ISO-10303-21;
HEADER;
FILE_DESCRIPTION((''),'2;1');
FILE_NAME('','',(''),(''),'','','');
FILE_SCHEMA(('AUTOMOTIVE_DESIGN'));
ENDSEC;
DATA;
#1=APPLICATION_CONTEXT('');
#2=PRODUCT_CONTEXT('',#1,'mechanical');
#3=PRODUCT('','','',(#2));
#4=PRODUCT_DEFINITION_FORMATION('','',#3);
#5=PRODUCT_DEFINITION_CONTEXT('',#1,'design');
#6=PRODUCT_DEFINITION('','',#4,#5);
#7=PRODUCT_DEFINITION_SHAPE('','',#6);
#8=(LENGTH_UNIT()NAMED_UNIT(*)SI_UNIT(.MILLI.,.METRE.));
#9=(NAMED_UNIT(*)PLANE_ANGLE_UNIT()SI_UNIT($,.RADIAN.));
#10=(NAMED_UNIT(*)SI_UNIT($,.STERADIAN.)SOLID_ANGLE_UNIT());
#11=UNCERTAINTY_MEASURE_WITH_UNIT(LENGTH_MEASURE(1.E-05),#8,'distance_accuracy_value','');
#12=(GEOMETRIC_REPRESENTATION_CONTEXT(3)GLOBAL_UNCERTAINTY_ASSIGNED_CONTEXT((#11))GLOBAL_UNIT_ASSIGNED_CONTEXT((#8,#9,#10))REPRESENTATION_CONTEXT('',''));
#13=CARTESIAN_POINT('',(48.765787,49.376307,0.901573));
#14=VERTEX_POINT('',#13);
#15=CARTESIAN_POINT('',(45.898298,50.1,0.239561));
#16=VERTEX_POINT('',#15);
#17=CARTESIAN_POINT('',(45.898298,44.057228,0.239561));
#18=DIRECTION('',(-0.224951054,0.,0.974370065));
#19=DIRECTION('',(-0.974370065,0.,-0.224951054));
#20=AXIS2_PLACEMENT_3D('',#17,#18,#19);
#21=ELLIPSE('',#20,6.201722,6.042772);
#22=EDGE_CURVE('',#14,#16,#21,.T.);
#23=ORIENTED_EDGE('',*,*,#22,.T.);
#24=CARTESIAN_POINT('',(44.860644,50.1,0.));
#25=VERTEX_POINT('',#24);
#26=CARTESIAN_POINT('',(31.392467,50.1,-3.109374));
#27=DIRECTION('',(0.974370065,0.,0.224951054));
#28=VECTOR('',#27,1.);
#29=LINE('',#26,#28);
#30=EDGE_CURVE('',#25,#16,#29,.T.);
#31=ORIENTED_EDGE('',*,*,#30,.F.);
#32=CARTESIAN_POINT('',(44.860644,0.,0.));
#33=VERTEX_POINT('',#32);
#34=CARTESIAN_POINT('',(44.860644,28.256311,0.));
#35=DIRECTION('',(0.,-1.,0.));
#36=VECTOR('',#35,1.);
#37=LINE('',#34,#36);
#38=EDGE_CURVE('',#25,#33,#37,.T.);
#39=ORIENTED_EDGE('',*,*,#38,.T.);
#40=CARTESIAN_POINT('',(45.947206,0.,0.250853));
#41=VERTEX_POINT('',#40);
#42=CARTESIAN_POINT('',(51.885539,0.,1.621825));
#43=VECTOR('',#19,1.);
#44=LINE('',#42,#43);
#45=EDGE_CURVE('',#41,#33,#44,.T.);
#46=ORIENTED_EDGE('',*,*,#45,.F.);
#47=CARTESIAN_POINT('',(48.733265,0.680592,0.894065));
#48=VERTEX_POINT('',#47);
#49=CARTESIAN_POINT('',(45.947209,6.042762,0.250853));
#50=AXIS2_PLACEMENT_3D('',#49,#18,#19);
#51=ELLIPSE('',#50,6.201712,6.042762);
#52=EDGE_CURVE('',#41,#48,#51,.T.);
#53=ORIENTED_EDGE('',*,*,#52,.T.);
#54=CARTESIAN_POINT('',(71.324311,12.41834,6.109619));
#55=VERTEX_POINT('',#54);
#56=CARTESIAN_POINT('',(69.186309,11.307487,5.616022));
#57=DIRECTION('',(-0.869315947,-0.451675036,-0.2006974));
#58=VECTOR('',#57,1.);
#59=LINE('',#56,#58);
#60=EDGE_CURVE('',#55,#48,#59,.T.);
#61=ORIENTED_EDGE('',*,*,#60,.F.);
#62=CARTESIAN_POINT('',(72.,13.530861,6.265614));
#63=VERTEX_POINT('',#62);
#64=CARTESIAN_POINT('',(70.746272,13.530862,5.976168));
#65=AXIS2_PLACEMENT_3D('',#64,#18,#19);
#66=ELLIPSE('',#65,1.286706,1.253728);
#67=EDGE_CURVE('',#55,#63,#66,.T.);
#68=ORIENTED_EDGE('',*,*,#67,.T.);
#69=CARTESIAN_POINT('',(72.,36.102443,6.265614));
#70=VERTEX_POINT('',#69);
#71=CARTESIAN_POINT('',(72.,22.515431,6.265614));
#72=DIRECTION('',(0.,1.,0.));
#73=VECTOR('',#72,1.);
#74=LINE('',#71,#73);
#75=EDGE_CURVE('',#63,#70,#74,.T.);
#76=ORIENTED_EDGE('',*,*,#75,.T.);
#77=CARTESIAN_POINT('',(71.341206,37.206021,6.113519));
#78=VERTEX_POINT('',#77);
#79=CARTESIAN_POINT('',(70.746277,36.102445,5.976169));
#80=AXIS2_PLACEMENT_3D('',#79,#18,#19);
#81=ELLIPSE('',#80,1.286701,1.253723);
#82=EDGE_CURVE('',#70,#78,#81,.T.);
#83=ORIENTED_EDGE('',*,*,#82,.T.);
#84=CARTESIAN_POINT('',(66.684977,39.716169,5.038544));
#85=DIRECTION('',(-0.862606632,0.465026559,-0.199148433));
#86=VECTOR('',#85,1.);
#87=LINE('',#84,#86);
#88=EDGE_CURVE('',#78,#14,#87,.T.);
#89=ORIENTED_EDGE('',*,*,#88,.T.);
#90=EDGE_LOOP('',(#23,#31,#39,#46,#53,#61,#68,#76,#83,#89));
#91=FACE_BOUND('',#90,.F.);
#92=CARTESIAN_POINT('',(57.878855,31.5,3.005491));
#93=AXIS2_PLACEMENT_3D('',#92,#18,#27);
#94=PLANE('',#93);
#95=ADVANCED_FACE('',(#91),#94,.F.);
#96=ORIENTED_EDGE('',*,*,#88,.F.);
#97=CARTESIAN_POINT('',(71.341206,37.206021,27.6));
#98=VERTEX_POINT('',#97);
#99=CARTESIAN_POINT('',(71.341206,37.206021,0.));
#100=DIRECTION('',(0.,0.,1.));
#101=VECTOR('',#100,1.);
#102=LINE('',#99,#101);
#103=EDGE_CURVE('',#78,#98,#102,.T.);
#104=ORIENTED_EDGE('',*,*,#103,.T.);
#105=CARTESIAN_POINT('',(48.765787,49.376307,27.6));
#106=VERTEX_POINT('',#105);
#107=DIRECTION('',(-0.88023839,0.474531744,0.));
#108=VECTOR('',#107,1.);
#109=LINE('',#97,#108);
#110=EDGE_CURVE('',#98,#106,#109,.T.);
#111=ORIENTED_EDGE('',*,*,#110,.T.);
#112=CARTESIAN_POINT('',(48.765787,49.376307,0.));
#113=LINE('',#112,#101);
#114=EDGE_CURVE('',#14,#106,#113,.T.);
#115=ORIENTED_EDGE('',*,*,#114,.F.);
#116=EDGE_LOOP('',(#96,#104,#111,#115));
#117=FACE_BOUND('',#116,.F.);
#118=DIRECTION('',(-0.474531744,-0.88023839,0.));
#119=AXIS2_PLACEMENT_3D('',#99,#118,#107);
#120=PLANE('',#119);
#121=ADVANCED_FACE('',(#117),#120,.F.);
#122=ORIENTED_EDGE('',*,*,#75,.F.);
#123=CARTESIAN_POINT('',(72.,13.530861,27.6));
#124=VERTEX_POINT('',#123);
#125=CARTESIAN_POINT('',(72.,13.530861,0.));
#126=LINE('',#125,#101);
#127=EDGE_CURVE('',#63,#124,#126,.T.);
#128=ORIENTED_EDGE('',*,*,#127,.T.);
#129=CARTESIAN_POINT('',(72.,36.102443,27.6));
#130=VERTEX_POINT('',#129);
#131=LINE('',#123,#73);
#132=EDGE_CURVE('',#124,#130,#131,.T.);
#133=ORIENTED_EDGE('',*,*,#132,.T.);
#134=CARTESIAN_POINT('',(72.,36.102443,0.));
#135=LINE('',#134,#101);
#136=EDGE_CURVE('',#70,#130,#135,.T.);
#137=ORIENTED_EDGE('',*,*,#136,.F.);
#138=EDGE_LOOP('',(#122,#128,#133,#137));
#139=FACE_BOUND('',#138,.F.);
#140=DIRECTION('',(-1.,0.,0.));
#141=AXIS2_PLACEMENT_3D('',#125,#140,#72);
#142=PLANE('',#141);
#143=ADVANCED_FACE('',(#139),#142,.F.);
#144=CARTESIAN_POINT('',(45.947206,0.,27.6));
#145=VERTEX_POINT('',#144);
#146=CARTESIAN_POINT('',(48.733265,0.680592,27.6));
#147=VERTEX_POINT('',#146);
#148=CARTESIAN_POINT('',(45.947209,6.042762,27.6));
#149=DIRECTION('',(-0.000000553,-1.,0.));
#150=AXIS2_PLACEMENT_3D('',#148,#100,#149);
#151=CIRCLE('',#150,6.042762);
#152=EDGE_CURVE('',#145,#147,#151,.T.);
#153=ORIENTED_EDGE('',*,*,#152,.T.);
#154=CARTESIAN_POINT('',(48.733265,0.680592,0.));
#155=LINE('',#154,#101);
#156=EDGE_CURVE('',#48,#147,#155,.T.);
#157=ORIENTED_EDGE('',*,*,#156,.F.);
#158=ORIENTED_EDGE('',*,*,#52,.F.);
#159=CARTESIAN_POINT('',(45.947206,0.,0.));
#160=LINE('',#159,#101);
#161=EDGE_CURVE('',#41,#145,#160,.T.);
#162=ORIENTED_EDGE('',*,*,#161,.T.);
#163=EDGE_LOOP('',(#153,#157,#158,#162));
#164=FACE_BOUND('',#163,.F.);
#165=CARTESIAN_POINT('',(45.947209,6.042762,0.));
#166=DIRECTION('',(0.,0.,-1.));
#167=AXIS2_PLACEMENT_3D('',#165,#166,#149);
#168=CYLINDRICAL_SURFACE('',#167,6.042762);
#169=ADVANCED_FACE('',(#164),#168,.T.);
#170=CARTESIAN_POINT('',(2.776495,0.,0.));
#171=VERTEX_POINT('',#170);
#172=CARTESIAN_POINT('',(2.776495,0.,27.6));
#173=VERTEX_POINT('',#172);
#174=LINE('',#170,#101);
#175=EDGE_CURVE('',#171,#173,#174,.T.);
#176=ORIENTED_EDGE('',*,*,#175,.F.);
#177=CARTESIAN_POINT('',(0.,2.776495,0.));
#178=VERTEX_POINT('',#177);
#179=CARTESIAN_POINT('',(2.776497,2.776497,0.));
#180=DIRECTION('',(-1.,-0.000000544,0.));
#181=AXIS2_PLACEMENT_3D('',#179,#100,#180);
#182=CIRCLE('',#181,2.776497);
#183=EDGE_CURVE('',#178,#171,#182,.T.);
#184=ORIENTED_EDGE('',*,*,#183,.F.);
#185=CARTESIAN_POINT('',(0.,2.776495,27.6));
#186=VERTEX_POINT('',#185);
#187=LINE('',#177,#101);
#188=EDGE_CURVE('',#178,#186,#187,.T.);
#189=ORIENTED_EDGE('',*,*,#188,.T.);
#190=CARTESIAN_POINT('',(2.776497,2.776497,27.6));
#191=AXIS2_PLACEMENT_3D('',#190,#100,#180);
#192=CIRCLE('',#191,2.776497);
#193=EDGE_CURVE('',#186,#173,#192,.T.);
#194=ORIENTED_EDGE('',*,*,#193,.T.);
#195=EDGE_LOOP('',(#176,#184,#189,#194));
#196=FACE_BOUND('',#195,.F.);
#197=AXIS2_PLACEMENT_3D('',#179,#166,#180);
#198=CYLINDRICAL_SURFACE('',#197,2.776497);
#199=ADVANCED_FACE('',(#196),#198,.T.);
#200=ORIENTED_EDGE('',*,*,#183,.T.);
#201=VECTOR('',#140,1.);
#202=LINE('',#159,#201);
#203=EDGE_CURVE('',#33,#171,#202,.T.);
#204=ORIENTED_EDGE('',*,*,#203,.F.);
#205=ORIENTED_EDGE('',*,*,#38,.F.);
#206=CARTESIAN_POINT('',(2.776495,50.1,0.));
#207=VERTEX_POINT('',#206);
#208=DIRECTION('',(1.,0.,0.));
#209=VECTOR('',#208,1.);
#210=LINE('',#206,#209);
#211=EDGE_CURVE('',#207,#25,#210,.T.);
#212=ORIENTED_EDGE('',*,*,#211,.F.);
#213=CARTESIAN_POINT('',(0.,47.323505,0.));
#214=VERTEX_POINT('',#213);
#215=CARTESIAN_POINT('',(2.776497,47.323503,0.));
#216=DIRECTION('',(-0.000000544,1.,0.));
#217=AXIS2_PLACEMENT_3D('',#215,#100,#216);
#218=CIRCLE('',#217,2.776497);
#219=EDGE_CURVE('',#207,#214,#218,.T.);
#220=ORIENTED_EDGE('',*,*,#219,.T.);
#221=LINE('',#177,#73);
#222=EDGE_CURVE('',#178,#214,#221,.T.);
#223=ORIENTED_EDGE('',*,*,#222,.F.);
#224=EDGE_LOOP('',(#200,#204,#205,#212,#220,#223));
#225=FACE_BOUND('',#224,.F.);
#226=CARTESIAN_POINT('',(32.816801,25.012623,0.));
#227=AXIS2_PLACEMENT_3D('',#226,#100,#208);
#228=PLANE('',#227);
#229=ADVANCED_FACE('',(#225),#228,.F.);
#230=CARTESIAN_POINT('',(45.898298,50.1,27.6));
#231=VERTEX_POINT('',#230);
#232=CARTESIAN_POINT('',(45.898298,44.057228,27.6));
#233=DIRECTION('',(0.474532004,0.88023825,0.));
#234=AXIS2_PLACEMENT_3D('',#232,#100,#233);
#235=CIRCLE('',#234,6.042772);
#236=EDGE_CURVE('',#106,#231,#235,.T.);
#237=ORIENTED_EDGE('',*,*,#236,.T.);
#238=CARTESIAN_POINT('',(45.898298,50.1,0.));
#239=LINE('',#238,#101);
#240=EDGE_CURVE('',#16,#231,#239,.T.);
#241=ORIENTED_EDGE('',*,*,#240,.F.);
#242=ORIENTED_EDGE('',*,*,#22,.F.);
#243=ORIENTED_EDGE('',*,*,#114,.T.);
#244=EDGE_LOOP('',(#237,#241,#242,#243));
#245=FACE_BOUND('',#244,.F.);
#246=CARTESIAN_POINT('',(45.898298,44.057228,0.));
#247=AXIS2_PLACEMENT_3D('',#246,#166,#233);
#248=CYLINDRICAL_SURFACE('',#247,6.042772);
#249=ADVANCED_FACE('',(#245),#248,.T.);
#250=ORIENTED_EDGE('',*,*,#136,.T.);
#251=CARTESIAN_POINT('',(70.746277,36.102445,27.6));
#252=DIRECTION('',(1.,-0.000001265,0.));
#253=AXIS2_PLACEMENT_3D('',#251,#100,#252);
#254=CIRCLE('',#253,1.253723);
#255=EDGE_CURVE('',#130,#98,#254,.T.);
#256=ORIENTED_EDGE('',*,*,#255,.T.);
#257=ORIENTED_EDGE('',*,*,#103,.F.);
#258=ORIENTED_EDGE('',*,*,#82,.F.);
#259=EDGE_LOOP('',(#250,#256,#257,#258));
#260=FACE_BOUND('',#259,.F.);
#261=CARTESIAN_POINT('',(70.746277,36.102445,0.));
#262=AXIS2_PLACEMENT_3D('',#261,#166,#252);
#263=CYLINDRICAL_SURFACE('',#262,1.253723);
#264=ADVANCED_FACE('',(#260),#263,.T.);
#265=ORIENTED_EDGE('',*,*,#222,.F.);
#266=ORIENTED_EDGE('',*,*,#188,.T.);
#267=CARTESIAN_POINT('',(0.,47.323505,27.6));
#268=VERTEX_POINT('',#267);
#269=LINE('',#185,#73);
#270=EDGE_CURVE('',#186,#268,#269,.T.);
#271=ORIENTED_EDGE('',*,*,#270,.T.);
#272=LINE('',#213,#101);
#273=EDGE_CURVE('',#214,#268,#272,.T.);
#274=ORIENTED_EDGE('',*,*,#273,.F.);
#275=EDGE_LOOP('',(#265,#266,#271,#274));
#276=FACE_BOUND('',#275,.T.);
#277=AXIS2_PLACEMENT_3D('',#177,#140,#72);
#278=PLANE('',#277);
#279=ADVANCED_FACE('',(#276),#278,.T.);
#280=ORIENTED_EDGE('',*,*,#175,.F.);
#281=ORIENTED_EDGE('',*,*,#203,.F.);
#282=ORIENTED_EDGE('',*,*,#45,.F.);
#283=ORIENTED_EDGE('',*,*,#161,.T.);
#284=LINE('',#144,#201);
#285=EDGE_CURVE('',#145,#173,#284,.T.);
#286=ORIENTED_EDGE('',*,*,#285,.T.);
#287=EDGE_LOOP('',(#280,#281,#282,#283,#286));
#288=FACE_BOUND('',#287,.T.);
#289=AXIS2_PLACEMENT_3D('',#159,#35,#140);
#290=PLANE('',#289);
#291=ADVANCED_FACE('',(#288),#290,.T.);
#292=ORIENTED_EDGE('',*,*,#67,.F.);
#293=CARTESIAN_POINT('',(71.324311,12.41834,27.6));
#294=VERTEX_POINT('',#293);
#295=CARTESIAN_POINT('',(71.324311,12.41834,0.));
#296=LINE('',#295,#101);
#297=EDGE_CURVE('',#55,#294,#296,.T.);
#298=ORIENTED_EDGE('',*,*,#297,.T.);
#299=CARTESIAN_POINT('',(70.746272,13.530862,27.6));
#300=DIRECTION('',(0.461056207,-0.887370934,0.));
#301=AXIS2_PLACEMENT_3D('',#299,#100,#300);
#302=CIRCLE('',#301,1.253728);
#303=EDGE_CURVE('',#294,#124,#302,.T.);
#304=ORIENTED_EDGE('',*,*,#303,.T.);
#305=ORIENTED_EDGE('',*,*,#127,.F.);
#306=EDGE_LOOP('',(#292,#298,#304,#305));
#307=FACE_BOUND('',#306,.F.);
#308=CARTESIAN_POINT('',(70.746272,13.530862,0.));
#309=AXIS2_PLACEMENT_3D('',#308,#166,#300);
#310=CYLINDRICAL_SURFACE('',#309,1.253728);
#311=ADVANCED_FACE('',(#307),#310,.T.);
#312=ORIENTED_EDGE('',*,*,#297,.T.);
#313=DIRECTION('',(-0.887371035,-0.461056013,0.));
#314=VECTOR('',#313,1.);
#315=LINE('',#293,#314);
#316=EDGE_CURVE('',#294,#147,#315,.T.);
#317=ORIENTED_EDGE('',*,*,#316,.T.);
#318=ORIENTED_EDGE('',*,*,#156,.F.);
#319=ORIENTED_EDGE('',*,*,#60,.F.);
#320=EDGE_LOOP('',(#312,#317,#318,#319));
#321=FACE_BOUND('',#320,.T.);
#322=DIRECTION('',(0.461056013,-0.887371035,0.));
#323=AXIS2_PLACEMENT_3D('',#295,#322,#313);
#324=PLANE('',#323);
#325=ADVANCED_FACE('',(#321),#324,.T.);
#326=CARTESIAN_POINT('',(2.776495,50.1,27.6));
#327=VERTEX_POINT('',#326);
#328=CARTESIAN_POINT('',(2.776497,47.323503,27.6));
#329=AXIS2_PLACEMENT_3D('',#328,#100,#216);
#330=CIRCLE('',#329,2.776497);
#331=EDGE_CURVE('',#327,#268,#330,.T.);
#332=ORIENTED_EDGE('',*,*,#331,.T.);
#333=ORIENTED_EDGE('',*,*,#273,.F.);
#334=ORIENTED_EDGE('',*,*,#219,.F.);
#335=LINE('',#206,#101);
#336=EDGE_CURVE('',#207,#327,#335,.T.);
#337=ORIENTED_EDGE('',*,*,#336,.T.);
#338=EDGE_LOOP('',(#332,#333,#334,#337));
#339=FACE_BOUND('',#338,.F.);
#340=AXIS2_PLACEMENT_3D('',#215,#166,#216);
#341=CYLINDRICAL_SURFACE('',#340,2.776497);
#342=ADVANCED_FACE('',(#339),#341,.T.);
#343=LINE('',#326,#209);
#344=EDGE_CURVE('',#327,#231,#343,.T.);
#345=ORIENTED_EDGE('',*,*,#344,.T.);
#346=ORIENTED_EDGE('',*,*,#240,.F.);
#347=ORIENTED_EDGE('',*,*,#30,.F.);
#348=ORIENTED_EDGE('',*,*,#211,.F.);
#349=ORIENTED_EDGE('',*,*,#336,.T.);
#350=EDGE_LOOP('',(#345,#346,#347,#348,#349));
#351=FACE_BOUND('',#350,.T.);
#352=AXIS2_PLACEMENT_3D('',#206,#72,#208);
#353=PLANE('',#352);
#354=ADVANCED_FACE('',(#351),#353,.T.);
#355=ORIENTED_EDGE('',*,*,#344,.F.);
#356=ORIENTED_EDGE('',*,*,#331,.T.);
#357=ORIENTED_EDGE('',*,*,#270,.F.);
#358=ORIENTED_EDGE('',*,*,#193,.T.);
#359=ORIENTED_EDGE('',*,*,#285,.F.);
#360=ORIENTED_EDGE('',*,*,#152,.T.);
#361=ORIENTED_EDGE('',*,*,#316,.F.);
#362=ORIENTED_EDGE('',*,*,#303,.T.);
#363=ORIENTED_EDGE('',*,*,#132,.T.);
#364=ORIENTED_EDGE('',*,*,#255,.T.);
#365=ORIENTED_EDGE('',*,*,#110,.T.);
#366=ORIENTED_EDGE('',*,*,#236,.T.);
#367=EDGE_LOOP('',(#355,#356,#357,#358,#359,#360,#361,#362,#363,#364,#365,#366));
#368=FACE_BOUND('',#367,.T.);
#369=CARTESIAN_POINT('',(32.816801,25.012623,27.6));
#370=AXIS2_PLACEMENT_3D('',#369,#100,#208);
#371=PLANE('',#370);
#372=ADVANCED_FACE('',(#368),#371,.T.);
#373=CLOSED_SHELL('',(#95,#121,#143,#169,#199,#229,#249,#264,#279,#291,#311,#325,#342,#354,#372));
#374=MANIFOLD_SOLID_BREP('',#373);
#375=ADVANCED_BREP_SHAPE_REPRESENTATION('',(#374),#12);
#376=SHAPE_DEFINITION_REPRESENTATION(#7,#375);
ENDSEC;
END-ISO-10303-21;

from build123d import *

# Parameters (mm, degrees)
BOX_W               = 29
BOX_H               = 73
BOX_DEPTH           = 10
BOX_PLACEMENT_ANGLE = 13
PAD_DEPTH           = 27.6


with BuildPart() as cube:
    # Box → Box (new body)
    with BuildSketch(Plane.XY):
        with Locations((14.5, 36.5)):
            Rectangle(BOX_W, BOX_H)
    extrude(amount=BOX_DEPTH)


with BuildPart() as cube_1:
    # Box placement: moved
    add(cube.part.moved(Location((46, -5, -10))).rotate(Axis((46, -5, -10), (0, -1, 0)), BOX_PLACEMENT_ANGLE))


with BuildPart() as cutted_flask:
    # Sketch → Pad (new body)
    with BuildSketch(Plane.XY):
        with BuildLine():
            ThreePointArc((2.776495, 50.1), (0.813217, 49.286783), (0, 47.323505))
            Line((0, 2.776495), (0, 47.323505))
            ThreePointArc((0, 2.776495), (0.813217, 0.813217), (2.776495, 0))
            Line((45.947206, 0), (2.776495, 0))
            ThreePointArc((45.947206, 0), (47.381198, 0.172613), (48.733265, 0.680592))
            Line((71.324311, 12.41834), (48.733265, 0.680592))
            ThreePointArc((71.324311, 12.41834), (71.817845, 12.880043), (72, 13.530861))
            Line((72, 25.05), (72, 13.530861))
            Line((72, 25.05), (72, 36.102443))
            ThreePointArc((72, 36.102443), (71.822776, 36.745073), (71.341206, 37.206021))
            Line((71.341206, 37.206021), (48.765787, 49.376307))
            ThreePointArc((48.765787, 49.376307), (47.376999, 49.916284), (45.898298, 50.1))
            Line((2.776495, 50.1), (45.898298, 50.1))
        make_face()
    extrude(amount=PAD_DEPTH)

    # Cut: cut Cube
    add(cube_1.part, mode=Mode.SUBTRACT)


solid = cutted_flask.part
